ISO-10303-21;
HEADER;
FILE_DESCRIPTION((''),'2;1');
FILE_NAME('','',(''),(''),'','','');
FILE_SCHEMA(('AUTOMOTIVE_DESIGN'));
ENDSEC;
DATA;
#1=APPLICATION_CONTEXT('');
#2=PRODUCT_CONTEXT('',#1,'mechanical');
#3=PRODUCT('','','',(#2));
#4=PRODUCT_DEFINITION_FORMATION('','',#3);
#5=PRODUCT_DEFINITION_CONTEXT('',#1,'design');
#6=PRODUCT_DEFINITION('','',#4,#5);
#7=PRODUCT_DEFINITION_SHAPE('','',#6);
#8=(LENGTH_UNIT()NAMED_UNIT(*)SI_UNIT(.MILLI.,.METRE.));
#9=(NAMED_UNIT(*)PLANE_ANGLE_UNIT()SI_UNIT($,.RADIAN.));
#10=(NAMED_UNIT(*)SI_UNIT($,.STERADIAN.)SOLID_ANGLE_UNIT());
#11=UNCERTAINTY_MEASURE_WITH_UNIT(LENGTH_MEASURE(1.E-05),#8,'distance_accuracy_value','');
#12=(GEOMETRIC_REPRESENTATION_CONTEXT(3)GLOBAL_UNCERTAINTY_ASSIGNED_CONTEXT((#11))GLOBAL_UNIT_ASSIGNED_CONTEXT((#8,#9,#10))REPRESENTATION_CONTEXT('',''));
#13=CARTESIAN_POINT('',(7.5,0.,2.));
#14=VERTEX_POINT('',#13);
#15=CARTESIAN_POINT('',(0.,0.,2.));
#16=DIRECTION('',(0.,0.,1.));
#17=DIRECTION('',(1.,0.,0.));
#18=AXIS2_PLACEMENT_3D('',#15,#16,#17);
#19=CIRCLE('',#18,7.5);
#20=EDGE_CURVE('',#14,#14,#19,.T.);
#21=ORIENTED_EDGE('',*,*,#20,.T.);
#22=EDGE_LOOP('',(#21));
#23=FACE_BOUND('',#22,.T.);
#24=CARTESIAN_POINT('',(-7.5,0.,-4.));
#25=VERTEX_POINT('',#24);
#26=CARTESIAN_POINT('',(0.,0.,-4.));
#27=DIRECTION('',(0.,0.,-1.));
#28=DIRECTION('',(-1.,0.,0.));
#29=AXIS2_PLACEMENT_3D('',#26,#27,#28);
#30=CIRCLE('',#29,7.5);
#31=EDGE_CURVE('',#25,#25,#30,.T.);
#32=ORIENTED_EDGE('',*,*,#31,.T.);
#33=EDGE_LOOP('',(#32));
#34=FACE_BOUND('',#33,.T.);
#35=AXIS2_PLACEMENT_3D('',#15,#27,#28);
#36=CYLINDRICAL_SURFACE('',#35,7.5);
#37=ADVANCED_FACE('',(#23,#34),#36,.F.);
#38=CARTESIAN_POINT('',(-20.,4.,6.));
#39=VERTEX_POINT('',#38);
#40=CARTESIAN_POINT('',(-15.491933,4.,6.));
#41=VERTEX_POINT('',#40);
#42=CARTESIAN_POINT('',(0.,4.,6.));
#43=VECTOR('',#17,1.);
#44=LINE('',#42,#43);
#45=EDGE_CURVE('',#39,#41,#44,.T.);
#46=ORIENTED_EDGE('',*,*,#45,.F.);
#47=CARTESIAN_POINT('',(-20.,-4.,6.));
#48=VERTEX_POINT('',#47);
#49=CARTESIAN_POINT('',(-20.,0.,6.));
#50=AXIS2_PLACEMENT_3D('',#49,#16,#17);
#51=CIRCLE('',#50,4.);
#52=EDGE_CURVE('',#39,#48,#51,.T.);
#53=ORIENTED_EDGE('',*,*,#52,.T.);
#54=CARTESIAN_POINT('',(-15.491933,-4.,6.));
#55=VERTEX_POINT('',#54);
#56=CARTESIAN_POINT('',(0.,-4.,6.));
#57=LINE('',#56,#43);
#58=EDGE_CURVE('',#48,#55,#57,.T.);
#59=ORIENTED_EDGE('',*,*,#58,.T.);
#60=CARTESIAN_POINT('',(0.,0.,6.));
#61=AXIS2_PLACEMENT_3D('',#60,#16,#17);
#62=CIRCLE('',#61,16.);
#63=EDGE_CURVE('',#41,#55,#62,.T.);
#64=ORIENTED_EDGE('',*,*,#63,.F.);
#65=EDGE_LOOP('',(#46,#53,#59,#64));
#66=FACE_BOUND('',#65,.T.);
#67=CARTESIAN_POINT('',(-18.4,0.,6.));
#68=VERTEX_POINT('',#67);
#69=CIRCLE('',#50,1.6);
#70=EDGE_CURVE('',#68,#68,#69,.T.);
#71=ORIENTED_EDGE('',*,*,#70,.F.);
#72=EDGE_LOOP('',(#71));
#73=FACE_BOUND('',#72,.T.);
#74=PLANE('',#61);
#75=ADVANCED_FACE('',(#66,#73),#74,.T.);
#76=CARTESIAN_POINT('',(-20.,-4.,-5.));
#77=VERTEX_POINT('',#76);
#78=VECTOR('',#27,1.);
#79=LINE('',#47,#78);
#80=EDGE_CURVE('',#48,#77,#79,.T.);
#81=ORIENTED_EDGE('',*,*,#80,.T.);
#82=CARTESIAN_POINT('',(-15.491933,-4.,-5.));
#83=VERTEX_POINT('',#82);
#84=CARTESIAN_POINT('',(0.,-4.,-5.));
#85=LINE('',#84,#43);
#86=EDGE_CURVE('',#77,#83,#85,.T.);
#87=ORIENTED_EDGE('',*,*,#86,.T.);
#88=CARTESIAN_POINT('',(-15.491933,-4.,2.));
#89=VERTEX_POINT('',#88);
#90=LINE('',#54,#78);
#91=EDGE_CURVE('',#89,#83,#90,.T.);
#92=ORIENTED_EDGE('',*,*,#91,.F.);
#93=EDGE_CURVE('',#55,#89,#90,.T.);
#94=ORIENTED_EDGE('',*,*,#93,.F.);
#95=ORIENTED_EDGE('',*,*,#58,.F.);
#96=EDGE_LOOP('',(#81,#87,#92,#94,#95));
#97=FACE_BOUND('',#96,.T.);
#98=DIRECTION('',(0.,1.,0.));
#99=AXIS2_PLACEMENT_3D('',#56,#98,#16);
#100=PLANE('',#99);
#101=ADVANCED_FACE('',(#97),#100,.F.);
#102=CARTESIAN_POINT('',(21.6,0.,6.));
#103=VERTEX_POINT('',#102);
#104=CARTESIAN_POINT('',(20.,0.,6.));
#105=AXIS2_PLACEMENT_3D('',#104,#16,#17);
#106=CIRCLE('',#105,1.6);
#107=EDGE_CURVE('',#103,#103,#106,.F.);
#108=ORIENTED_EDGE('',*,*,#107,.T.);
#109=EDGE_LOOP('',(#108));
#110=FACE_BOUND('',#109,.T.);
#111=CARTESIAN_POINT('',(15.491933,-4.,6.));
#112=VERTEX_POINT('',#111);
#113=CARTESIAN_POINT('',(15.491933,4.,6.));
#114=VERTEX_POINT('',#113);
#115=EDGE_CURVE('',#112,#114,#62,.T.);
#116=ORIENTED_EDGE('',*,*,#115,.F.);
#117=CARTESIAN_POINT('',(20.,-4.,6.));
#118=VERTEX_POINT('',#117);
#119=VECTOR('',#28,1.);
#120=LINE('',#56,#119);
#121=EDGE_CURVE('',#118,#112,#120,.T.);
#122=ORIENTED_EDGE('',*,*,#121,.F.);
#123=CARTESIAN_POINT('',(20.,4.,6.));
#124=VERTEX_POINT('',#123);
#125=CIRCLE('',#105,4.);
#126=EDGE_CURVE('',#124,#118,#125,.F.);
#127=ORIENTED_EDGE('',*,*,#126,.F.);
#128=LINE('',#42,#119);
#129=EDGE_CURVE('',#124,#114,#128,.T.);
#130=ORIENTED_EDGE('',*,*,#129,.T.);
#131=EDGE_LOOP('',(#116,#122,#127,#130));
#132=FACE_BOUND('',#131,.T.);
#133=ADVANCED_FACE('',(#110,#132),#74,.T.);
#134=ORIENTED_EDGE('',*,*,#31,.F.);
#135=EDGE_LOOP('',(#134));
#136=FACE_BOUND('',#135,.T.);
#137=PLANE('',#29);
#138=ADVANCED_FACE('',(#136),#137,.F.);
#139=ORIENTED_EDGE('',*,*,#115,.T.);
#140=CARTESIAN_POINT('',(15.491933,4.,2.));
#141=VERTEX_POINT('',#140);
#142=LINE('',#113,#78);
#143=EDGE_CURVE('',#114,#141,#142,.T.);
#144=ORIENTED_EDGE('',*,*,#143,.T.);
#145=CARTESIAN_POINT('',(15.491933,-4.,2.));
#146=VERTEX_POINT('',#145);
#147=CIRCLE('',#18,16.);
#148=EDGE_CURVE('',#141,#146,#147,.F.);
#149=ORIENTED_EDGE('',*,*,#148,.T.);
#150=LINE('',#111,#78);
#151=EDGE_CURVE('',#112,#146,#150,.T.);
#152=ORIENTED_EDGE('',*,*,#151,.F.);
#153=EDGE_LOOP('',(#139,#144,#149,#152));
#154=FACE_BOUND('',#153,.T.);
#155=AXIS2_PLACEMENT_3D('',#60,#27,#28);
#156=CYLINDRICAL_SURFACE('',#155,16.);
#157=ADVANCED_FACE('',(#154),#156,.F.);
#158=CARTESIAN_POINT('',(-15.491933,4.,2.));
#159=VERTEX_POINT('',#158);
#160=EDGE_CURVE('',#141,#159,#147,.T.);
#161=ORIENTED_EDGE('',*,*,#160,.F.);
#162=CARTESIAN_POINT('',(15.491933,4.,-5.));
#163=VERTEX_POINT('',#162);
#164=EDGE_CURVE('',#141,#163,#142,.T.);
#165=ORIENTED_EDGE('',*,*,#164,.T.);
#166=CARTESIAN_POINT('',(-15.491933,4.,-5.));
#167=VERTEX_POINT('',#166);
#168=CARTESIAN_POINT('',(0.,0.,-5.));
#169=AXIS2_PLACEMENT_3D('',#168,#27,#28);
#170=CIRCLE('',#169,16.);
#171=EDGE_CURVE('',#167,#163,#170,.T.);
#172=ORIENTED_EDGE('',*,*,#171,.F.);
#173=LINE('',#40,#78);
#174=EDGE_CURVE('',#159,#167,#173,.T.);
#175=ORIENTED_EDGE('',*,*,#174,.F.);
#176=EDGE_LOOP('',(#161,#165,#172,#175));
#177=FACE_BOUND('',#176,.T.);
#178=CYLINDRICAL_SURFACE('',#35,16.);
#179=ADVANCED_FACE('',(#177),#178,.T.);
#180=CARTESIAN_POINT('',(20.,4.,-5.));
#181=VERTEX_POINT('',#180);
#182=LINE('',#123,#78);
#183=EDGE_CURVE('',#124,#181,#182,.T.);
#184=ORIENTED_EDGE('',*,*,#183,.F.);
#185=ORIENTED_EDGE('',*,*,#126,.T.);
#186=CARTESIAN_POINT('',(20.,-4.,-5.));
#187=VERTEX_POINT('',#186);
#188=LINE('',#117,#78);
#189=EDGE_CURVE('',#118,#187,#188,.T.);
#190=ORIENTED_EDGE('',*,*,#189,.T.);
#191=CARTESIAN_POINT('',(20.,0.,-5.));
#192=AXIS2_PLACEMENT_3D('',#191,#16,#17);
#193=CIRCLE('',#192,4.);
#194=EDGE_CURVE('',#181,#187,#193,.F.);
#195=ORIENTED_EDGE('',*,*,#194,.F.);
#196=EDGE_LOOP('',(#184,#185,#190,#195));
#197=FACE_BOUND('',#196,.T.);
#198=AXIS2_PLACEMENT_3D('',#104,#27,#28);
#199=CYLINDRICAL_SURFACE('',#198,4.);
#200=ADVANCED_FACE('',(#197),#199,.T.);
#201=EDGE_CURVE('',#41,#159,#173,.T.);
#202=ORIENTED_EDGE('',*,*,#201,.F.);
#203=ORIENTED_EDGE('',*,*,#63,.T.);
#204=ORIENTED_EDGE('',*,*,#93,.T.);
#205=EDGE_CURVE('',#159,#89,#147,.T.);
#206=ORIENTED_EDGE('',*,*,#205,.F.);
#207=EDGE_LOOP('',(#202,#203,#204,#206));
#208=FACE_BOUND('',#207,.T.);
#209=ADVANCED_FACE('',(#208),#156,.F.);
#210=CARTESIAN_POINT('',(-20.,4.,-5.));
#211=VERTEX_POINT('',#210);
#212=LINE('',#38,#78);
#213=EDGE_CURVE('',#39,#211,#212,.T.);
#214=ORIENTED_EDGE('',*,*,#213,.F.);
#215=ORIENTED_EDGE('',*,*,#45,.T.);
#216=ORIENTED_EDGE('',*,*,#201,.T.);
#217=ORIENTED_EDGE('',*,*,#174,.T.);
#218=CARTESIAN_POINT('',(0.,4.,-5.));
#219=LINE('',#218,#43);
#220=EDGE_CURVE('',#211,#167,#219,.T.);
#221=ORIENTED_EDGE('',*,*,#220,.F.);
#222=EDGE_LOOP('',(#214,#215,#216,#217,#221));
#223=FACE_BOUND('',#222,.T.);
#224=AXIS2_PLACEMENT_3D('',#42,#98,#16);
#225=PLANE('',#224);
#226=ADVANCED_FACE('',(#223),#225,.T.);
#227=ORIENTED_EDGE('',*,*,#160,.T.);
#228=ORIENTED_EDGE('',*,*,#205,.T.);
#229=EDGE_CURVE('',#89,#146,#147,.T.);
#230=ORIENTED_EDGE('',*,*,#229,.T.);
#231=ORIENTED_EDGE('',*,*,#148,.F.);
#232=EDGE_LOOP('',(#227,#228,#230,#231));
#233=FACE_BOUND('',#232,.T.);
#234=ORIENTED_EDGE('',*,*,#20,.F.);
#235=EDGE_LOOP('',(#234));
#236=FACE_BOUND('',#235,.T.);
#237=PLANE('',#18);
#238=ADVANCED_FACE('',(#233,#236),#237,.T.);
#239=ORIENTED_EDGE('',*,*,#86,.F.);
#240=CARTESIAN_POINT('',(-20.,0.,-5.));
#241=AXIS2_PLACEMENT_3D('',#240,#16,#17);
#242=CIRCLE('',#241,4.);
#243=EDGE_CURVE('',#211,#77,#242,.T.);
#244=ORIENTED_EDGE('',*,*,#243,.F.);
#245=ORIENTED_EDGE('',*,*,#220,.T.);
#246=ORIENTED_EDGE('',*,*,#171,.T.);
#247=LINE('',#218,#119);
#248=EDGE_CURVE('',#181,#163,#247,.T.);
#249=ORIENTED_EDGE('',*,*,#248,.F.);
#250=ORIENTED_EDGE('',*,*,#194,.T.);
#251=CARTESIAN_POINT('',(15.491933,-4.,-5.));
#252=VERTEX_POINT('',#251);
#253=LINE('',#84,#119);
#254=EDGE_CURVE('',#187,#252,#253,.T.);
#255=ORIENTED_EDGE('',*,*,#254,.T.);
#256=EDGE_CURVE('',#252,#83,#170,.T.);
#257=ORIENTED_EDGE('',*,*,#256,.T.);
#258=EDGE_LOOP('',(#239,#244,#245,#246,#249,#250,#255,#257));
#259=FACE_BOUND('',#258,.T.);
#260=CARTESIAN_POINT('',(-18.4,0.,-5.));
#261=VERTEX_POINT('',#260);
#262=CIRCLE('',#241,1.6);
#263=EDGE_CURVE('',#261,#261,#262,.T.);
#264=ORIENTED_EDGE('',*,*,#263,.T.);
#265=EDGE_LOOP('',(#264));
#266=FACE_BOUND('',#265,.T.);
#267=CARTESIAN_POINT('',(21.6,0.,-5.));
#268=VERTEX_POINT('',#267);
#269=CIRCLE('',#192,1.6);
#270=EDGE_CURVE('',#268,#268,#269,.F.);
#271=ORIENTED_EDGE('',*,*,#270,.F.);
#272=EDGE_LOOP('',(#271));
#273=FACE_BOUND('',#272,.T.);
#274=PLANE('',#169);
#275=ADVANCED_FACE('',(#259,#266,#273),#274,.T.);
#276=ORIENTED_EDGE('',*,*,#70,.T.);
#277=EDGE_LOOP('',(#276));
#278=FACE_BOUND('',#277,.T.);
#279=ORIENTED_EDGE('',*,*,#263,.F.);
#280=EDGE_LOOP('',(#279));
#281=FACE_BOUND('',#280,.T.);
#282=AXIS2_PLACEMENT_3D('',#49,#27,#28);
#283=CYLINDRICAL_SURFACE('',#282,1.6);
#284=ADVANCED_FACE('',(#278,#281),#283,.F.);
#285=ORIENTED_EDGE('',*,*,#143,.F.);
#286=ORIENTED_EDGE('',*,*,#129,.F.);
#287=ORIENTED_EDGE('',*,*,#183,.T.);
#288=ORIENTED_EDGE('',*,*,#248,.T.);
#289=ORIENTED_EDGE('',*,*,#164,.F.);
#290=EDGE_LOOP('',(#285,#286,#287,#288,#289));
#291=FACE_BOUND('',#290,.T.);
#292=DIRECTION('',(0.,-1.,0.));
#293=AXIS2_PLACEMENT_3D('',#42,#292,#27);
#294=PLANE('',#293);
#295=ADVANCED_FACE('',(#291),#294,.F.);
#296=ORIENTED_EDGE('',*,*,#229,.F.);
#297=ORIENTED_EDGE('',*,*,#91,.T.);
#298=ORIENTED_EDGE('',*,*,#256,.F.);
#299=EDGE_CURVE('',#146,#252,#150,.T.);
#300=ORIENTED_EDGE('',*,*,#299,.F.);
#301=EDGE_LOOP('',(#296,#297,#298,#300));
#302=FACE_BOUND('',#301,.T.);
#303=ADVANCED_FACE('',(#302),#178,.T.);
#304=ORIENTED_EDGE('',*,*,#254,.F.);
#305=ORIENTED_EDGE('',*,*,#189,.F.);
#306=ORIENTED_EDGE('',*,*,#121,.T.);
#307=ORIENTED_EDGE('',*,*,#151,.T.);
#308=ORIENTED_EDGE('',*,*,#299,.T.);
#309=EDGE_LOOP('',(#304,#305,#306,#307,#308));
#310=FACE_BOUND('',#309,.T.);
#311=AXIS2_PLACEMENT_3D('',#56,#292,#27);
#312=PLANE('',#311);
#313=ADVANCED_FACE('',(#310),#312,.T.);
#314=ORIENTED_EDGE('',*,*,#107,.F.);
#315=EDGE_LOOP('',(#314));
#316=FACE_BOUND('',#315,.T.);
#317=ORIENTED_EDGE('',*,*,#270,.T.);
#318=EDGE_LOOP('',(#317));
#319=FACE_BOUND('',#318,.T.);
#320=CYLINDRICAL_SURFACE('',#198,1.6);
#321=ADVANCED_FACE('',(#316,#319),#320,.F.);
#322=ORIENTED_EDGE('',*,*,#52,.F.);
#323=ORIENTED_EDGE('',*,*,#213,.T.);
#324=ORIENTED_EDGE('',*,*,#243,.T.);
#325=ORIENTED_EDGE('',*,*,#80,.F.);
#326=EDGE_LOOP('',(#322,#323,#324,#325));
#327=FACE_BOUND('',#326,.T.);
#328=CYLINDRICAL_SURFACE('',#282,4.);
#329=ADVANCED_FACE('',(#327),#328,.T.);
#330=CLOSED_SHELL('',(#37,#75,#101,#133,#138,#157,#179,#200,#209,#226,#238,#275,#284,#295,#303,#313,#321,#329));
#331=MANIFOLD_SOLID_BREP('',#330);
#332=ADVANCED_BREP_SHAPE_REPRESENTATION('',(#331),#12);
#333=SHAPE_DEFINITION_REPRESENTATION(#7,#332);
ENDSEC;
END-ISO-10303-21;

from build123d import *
from build123d.topology import SkipClean

# Parameters (mm, degrees)
BOSS_EXTRUDE1_DEPTH = 2
SKETCH2_R           = 1.6
BOSS_EXTRUDE3_DEPTH = 6
BOSS_EXTRUDE4_START = 4
SKETCH5_R           = 16
SKETCH5_R_2         = 7.5
BOSS_EXTRUDE4_DEPTH = 4
BOSS_EXTRUDE7_START = 1
SKETCH6_R           = 16
BOSS_EXTRUDE7_DEPTH = 1
BOSS_EXTRUDE8_START = -5
SKETCH7_R           = 1.6
BOSS_EXTRUDE8_DEPTH = 5


with BuildPart() as part:
    # Sketch1 → Boss-Extrude1 (new body)
    # profile 1 of 2: a face of its own
    with BuildSketch(Plane.XY):
        with BuildLine():
            ThreePointArc((15.491933385, 4), (9.797958971, 12.649110641), (0, 16))
            ThreePointArc((0, 16), (-9.797958971, 12.649110641), (-15.491933385, 4))
            ThreePointArc((-15.491933385, 4), (-16, 0), (-15.491933385, -4))
            ThreePointArc((-15.491933385, -4), (0, -16), (15.491933385, -4))
            ThreePointArc((15.491933385, -4), (15.87247514, -2.01606868), (16, 0))
            ThreePointArc((16, 0), (15.87247514, 2.01606868), (15.491933385, 4))
        make_face()
        with BuildLine():
            ThreePointArc((7.5, 0), (-5.303300859, -5.303300859), (0, 7.5))
            ThreePointArc((0, 7.5), (5.303300859, 5.303300859), (7.5, 0))
        make_face(mode=Mode.SUBTRACT)
    # profile 2 of 2: a face of its own
    with BuildSketch(Plane.XY):
        with BuildLine():
            ThreePointArc((15.491933385, 4), (9.797958971, 12.649110641), (0, 16))
            ThreePointArc((0, 16), (-9.797958971, 12.649110641), (-15.491933385, 4))
            ThreePointArc((-15.491933385, 4), (-16, 0), (-15.491933385, -4))
            ThreePointArc((-15.491933385, -4), (0, -16), (15.491933385, -4))
            ThreePointArc((15.491933385, -4), (15.87247514, -2.01606868), (16, 0))
            ThreePointArc((16, 0), (15.87247514, 2.01606868), (15.491933385, 4))
        make_face()
        with BuildLine():
            ThreePointArc((7.5, 0), (-5.303300859, -5.303300859), (0, 7.5))
            ThreePointArc((0, 7.5), (5.303300859, 5.303300859), (7.5, 0))
        make_face(mode=Mode.SUBTRACT)
    extrude(amount=BOSS_EXTRUDE1_DEPTH)

    # Sketch2 → Boss-Extrude3 (add)
    # profile 1 of 2: a face of its own
    with BuildSketch(Plane.XY):
        with BuildLine():
            Line((-20, -4), (-15.491933385, -4))
            ThreePointArc((-15.491933385, -4), (-16, 0), (-15.491933385, 4))
            Line((-15.491933385, 4), (-20, 4))
            ThreePointArc((-20, 4), (-24, 0), (-20, -4))
        make_face()
        with Locations((-20, 0)):
            Circle(SKETCH2_R, mode=Mode.SUBTRACT)
    # profile 2 of 2: a face of its own
    with BuildSketch(Plane.XY):
        with BuildLine():
            Line((15.491933385, -4), (20, -4))
            ThreePointArc((20, -4), (24, 0), (20, 4))
            Line((20, 4), (15.491933385, 4))
            ThreePointArc((15.491933385, 4), (15.87247514, 2.01606868), (16, 0))
            ThreePointArc((16, 0), (15.87247514, -2.01606868), (15.491933385, -4))
        make_face()
        with Locations((20, 0)):
            Circle(SKETCH2_R, mode=Mode.SUBTRACT)
    extrude(amount=BOSS_EXTRUDE3_DEPTH)

    # Sketch5 → Boss-Extrude4 (add)
    with SkipClean():  # the faces are left unmerged after this step: merging them gives an invalid solid
        with BuildSketch(Plane(origin=(0, 0, 0), x_dir=(-1, 0, 0), z_dir=(0, 0, -1)).offset(BOSS_EXTRUDE4_START)):
            Circle(SKETCH5_R)
            Circle(SKETCH5_R_2, mode=Mode.SUBTRACT)
        extrude(amount=-BOSS_EXTRUDE4_DEPTH)

    # Sketch6 → Boss-Extrude7 (add)
    with SkipClean():  # the faces are left unmerged after this step: merging them gives an invalid solid
        with BuildSketch(Plane(origin=(0, 0, -4), x_dir=(-1, 0, 0), z_dir=(0, 0, -1)).offset(BOSS_EXTRUDE7_START)):
            Circle(SKETCH6_R)
        extrude(amount=-BOSS_EXTRUDE7_DEPTH)

    # Sketch7 → Boss-Extrude8 (add)
    # profile 1 of 2: a face of its own
    with SkipClean():  # the faces are left unmerged after this step: merging them gives an invalid solid
        with BuildSketch(Plane.XY.offset(BOSS_EXTRUDE8_START)):
            with BuildLine():
                Line((15.491933385, -4), (20, -4))
                ThreePointArc((20, -4), (24, 0), (20, 4))
                Line((20, 4), (15.491933385, 4))
                ThreePointArc((15.491933385, 4), (15.87247514, 2.01606868), (16, 0))
                ThreePointArc((16, 0), (15.87247514, -2.01606868), (15.491933385, -4))
            make_face()
            with Locations((20, 0)):
                Circle(SKETCH7_R, mode=Mode.SUBTRACT)
        # profile 2 of 2: a face of its own
        with BuildSketch(Plane.XY.offset(BOSS_EXTRUDE8_START)):
            with BuildLine():
                Line((-20, -4), (-15.491933385, -4))
                ThreePointArc((-15.491933385, -4), (-16, 0), (-15.491933385, 4))
                Line((-15.491933385, 4), (-20, 4))
                ThreePointArc((-20, 4), (-24, 0), (-20, -4))
            make_face()
            with Locations((-20, 0)):
                Circle(SKETCH7_R, mode=Mode.SUBTRACT)
        extrude(amount=BOSS_EXTRUDE8_DEPTH)


solid = part.part
